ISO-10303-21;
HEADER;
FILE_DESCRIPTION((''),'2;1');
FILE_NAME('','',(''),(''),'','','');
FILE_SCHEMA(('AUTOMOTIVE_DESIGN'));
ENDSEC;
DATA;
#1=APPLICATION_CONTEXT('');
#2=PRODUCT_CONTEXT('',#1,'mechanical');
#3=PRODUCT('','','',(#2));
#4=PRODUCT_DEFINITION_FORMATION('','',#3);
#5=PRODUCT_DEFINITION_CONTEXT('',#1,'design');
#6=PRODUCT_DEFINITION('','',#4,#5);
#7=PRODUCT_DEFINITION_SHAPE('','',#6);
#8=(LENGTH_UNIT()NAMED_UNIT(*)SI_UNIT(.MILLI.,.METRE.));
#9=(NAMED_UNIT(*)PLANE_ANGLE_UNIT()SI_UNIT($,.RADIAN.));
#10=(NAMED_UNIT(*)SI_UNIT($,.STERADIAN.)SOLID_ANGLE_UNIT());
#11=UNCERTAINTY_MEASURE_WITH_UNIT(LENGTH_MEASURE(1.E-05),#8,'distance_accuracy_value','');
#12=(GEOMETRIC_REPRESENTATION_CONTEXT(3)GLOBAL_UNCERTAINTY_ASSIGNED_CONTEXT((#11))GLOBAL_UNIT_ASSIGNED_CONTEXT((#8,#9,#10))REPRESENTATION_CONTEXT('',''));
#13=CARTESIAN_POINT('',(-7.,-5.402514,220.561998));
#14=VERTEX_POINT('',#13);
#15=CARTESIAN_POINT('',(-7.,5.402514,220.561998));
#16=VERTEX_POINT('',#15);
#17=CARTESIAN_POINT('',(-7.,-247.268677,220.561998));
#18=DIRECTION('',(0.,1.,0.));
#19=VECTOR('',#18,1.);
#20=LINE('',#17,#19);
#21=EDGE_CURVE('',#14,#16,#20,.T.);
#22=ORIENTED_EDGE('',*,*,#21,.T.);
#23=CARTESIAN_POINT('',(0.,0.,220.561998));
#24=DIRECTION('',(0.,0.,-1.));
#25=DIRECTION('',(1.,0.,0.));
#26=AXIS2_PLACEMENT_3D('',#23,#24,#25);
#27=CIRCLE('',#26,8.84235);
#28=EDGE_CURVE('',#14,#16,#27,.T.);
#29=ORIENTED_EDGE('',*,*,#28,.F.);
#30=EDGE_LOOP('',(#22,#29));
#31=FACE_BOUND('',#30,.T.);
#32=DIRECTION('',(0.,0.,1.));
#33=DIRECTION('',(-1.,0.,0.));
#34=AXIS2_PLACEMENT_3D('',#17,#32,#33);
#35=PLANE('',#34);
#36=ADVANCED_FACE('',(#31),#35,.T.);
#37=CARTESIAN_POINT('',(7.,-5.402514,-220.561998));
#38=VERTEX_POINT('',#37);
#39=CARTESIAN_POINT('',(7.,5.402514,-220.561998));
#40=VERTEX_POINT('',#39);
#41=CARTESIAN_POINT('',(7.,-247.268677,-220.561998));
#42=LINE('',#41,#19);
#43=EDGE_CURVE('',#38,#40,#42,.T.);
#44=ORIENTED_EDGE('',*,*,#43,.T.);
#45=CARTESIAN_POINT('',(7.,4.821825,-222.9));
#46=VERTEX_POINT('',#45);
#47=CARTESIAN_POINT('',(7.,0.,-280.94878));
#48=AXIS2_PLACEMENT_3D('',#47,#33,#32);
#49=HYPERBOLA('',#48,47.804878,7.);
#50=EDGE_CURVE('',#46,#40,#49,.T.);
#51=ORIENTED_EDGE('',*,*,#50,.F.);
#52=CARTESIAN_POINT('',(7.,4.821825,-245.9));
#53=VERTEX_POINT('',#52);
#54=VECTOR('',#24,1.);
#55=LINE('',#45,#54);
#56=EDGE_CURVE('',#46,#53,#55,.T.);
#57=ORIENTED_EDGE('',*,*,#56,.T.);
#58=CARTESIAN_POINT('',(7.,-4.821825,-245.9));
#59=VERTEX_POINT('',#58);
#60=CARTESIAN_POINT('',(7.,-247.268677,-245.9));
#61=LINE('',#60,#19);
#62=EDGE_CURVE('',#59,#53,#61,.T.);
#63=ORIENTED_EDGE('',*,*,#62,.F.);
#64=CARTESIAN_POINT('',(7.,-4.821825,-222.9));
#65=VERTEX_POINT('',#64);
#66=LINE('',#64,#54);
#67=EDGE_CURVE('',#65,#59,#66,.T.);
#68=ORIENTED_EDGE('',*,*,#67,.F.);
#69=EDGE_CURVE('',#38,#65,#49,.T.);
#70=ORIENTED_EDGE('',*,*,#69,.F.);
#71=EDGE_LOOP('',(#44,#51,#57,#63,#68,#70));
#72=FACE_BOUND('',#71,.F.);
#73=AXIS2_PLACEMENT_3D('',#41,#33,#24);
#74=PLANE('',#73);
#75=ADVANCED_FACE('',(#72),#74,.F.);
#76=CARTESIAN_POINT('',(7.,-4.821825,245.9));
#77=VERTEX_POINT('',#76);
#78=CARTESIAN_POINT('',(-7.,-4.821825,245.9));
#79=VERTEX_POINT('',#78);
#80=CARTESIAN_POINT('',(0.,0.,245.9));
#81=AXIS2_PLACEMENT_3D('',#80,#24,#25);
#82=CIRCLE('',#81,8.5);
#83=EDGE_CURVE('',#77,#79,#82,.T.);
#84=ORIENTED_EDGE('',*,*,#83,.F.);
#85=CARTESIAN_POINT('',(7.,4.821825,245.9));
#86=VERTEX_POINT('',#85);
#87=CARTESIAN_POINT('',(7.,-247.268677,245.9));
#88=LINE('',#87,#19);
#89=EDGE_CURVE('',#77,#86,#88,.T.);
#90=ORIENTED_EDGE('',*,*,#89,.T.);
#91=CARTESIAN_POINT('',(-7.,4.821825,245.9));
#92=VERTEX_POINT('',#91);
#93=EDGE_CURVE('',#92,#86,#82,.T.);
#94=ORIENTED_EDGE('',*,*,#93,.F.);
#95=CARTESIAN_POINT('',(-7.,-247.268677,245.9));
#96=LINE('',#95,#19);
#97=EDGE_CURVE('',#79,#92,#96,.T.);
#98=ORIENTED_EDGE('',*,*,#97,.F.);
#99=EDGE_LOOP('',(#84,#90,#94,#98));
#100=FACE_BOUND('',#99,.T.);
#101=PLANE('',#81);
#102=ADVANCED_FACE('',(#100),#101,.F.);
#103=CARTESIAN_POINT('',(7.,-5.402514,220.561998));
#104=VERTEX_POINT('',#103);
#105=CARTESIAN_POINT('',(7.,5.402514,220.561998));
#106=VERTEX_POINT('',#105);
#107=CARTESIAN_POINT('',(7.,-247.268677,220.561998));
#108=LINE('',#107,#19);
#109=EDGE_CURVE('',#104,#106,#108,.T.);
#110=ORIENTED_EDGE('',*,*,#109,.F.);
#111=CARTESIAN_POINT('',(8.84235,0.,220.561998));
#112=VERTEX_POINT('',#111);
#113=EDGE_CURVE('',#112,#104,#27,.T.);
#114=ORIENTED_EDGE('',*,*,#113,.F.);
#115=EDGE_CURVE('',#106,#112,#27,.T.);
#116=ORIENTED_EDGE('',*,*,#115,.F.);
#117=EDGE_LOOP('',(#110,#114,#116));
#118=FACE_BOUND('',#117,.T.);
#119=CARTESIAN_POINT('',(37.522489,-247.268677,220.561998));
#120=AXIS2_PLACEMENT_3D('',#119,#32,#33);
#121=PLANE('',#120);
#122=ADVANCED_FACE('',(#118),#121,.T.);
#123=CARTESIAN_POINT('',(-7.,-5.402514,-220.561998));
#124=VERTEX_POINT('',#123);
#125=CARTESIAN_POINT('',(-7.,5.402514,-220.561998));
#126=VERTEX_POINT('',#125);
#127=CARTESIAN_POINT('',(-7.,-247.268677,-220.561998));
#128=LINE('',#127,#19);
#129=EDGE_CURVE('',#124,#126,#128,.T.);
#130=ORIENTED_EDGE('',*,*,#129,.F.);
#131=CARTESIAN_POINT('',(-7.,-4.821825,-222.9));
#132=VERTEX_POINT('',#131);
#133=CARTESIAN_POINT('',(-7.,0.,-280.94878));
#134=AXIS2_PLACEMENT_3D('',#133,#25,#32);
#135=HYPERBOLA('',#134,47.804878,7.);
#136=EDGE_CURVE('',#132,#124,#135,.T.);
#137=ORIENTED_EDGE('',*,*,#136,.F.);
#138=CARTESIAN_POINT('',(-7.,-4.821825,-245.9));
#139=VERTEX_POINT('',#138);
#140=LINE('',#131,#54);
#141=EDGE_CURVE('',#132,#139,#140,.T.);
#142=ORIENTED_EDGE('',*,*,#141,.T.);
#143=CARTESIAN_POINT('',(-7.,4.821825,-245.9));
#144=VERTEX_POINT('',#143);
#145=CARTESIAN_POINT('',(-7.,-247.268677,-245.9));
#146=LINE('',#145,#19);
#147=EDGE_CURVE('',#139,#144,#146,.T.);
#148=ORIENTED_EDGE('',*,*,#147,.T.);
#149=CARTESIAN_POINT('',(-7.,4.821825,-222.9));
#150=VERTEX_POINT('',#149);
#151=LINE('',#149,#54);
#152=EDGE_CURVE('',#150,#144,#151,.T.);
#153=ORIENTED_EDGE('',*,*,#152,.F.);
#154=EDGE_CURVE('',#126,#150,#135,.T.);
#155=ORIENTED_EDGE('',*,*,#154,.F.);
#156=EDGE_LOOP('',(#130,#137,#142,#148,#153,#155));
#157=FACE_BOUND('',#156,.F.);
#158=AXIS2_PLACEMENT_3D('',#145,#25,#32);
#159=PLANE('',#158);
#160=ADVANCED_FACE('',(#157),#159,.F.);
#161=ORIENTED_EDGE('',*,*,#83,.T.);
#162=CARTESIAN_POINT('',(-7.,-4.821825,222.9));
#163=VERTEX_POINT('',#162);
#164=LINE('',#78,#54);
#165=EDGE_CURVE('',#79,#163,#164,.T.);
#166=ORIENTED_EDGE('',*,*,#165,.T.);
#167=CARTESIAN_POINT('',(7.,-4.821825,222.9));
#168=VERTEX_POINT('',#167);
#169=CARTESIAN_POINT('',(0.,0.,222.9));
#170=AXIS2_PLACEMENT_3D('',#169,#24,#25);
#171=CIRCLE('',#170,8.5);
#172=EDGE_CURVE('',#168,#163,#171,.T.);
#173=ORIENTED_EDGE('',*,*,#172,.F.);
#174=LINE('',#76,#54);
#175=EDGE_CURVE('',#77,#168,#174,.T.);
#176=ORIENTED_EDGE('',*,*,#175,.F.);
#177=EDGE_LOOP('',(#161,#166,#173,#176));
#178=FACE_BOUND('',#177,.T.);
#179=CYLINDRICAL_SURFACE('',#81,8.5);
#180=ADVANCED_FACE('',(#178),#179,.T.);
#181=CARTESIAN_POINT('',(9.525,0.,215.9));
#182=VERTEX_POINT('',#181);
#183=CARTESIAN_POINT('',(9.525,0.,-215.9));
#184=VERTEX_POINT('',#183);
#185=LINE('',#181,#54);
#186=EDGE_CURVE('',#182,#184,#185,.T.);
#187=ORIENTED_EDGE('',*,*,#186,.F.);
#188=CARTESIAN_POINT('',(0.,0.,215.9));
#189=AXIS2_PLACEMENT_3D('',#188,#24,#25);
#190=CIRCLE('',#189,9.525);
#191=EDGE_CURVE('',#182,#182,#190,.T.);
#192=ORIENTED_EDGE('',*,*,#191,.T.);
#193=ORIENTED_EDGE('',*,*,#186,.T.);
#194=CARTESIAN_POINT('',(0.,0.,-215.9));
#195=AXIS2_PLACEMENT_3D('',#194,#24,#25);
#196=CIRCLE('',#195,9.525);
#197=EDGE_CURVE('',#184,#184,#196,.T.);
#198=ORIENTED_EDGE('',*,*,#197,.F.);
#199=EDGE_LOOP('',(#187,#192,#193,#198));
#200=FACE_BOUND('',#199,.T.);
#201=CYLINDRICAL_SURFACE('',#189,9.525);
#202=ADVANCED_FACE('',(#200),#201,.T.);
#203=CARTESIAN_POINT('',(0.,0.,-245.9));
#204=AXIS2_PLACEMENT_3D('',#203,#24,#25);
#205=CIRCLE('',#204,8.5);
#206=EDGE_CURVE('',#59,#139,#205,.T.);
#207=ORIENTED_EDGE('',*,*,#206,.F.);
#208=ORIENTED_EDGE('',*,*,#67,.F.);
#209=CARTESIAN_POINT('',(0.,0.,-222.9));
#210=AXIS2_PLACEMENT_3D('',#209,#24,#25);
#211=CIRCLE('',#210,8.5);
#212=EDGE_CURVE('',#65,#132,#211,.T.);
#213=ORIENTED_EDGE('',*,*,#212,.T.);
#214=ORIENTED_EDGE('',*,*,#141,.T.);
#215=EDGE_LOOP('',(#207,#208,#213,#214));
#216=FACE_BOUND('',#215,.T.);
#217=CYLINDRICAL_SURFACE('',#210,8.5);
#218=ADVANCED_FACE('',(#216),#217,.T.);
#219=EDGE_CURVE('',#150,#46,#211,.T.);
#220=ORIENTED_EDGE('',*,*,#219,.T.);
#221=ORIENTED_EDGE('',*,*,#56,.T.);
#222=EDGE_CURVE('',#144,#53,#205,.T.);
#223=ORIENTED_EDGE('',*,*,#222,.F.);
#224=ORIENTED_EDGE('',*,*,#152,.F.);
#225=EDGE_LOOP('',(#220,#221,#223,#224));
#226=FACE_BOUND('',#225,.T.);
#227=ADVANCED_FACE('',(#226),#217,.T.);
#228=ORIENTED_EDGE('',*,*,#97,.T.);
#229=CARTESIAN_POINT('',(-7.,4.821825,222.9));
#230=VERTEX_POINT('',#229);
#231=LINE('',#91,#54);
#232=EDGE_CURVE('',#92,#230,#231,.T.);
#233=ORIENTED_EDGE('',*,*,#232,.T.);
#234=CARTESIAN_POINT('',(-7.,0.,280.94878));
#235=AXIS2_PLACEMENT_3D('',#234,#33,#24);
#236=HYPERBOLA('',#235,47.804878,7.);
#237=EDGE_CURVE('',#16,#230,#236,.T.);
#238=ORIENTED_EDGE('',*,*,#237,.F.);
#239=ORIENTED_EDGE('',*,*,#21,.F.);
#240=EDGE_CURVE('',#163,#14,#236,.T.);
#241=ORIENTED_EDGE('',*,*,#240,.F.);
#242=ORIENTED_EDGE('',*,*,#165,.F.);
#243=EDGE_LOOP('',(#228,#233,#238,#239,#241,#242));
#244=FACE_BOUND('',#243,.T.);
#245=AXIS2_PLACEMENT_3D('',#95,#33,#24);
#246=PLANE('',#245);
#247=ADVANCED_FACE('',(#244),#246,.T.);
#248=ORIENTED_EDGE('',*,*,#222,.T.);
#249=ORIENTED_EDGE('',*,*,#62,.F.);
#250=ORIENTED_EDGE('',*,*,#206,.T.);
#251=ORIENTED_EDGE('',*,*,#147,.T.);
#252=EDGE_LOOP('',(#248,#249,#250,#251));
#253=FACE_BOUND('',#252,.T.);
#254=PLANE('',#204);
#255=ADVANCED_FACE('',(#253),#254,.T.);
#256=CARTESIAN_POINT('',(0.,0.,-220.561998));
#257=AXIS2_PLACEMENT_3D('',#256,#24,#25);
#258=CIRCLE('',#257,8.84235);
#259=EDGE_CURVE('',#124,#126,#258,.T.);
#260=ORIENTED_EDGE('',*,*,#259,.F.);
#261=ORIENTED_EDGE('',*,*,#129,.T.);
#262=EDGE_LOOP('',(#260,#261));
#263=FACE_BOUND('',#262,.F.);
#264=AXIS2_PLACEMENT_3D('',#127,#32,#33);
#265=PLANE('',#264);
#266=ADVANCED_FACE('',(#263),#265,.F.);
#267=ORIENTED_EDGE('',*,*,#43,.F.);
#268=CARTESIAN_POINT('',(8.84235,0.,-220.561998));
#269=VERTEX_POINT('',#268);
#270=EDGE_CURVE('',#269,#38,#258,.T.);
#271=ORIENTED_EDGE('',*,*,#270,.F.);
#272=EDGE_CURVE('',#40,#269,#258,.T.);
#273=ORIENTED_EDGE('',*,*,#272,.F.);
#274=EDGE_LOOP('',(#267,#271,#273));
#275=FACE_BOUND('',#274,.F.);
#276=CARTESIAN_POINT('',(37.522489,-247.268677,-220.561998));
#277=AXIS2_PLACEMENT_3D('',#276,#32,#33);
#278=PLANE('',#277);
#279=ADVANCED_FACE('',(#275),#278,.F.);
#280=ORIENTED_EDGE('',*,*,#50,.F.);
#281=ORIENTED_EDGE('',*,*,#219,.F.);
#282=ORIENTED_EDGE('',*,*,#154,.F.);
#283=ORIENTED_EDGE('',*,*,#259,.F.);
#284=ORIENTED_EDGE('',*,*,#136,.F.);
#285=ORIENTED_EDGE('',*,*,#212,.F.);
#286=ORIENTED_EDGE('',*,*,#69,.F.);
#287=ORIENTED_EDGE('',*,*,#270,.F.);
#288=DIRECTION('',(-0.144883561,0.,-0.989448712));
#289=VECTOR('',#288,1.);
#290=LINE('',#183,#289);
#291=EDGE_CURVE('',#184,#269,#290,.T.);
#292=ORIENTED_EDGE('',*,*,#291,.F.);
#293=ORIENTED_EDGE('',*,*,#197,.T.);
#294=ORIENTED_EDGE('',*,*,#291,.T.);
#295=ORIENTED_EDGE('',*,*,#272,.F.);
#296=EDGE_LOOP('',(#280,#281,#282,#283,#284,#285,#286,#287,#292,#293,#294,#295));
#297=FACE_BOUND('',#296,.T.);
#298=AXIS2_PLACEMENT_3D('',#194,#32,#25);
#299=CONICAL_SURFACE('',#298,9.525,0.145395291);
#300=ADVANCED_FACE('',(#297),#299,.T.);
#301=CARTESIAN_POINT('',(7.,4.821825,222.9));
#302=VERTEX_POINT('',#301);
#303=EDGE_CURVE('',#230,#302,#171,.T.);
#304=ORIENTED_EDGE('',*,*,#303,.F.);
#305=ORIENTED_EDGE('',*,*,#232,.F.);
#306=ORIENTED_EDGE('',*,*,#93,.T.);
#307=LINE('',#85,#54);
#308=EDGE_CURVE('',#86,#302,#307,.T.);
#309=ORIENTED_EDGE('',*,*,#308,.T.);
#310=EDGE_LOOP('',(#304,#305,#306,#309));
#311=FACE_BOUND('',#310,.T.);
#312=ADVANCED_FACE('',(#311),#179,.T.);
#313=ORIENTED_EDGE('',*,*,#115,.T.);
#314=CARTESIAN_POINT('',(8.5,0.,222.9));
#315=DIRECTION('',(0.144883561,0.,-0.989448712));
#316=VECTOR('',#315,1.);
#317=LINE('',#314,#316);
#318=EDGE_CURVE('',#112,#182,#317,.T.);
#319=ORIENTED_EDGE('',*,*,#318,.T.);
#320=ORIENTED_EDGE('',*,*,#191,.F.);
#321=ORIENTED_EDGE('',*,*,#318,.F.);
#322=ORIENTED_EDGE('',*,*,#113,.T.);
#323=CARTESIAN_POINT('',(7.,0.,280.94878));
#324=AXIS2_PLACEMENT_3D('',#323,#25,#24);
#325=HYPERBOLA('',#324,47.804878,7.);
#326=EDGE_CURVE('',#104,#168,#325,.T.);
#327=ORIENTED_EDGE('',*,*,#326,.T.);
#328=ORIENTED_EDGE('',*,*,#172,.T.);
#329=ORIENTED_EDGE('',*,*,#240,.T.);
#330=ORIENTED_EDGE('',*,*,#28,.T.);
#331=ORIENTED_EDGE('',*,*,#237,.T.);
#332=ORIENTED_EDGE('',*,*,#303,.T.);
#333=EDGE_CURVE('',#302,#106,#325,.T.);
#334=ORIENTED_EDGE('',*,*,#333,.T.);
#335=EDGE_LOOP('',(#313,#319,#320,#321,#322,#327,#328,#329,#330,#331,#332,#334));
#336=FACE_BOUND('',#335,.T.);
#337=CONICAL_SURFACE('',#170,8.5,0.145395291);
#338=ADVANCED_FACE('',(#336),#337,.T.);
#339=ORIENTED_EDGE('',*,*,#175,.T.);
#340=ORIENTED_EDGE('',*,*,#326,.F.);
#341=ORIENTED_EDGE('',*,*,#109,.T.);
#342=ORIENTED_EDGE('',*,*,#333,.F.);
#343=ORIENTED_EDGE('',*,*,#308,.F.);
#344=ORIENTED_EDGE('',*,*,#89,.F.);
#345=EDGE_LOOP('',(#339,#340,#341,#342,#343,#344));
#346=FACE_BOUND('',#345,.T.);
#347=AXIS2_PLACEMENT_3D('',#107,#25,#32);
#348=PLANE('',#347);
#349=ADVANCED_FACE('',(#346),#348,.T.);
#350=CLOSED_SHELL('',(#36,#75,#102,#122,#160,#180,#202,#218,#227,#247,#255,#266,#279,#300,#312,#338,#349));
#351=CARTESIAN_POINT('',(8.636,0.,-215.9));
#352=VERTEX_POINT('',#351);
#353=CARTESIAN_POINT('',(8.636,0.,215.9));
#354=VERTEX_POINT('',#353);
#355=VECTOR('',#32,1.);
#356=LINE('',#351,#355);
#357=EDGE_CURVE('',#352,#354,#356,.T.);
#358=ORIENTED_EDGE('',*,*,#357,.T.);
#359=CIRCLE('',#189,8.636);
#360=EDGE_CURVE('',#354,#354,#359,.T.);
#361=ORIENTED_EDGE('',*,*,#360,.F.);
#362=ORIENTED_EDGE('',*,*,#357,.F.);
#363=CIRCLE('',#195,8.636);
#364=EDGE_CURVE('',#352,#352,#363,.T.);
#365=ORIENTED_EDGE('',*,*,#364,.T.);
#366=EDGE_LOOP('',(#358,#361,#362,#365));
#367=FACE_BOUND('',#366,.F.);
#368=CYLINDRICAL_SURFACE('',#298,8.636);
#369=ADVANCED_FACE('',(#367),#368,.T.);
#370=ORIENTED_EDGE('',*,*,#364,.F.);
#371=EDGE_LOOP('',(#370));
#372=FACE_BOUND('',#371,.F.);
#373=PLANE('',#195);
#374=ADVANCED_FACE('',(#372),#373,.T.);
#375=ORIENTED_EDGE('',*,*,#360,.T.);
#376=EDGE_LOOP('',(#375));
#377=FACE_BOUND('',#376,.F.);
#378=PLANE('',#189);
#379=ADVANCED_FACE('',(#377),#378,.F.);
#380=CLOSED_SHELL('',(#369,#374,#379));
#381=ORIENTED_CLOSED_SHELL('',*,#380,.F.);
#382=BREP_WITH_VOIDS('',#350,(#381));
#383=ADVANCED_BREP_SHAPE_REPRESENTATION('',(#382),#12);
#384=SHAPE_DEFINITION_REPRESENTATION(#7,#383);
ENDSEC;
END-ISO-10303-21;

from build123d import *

# Parameters (mm, degrees)
CUT_EXTRUDE1_DEPTH      = 247.268676957
CUT_EXTRUDE1_DEPTH_BACK = 247.268676957


with BuildPart() as part:
    # Sketch2 → Revolve1 (revolve)
    with BuildSketch(Plane(origin=(0, 0, 0), x_dir=(0, 0, -1), z_dir=(1, 0, 0)), mode=Mode.PRIVATE) as revolve1_sk:
        Polygon((-215.9, 9.525), (215.9, 9.525), (222.9, 8.5), (245.9, 8.5), (245.9, 0), (215.9, 0), (215.9, 8.636), (-215.9, 8.636), (-215.9, 0), (-245.9, 0), (-245.9, 8.5), (-222.9, 8.5), align=None)
    revolve(revolve1_sk.sketch.rotate(Axis((0, 0, 215.9), (0, 0, -1)), 90), axis=Axis((0, 0, 215.9), (0, 0, -1)))

    # Sketch3 → Cut-Extrude1 (cut, two sides: drawn at the far end of the back side and taken through both)
    with BuildSketch(Plane(origin=(0, 0, 0), x_dir=(1, 0, 0), z_dir=(0, 1, 0)).offset(-CUT_EXTRUDE1_DEPTH_BACK)):
        Polygon((-7, -220.561998393), (-26.727444109, -220.561998393), (-26.727444109, -252.596471853), (37.522488539, -252.596471853), (37.522488539, -220.561998393), (7, -220.561998393), (7, -245.9), (-7, -245.9), align=None)
        Polygon((-7, 245.9), (-7, 220.561998393), (-26.727444109, 220.561998393), (-26.727444109, 252.596471853), (37.522488539, 252.596471853), (37.522488539, 220.561998393), (7, 220.561998393), (7, 245.9), align=None)
    extrude(amount=CUT_EXTRUDE1_DEPTH + CUT_EXTRUDE1_DEPTH_BACK, mode=Mode.SUBTRACT)


solid = part.part
